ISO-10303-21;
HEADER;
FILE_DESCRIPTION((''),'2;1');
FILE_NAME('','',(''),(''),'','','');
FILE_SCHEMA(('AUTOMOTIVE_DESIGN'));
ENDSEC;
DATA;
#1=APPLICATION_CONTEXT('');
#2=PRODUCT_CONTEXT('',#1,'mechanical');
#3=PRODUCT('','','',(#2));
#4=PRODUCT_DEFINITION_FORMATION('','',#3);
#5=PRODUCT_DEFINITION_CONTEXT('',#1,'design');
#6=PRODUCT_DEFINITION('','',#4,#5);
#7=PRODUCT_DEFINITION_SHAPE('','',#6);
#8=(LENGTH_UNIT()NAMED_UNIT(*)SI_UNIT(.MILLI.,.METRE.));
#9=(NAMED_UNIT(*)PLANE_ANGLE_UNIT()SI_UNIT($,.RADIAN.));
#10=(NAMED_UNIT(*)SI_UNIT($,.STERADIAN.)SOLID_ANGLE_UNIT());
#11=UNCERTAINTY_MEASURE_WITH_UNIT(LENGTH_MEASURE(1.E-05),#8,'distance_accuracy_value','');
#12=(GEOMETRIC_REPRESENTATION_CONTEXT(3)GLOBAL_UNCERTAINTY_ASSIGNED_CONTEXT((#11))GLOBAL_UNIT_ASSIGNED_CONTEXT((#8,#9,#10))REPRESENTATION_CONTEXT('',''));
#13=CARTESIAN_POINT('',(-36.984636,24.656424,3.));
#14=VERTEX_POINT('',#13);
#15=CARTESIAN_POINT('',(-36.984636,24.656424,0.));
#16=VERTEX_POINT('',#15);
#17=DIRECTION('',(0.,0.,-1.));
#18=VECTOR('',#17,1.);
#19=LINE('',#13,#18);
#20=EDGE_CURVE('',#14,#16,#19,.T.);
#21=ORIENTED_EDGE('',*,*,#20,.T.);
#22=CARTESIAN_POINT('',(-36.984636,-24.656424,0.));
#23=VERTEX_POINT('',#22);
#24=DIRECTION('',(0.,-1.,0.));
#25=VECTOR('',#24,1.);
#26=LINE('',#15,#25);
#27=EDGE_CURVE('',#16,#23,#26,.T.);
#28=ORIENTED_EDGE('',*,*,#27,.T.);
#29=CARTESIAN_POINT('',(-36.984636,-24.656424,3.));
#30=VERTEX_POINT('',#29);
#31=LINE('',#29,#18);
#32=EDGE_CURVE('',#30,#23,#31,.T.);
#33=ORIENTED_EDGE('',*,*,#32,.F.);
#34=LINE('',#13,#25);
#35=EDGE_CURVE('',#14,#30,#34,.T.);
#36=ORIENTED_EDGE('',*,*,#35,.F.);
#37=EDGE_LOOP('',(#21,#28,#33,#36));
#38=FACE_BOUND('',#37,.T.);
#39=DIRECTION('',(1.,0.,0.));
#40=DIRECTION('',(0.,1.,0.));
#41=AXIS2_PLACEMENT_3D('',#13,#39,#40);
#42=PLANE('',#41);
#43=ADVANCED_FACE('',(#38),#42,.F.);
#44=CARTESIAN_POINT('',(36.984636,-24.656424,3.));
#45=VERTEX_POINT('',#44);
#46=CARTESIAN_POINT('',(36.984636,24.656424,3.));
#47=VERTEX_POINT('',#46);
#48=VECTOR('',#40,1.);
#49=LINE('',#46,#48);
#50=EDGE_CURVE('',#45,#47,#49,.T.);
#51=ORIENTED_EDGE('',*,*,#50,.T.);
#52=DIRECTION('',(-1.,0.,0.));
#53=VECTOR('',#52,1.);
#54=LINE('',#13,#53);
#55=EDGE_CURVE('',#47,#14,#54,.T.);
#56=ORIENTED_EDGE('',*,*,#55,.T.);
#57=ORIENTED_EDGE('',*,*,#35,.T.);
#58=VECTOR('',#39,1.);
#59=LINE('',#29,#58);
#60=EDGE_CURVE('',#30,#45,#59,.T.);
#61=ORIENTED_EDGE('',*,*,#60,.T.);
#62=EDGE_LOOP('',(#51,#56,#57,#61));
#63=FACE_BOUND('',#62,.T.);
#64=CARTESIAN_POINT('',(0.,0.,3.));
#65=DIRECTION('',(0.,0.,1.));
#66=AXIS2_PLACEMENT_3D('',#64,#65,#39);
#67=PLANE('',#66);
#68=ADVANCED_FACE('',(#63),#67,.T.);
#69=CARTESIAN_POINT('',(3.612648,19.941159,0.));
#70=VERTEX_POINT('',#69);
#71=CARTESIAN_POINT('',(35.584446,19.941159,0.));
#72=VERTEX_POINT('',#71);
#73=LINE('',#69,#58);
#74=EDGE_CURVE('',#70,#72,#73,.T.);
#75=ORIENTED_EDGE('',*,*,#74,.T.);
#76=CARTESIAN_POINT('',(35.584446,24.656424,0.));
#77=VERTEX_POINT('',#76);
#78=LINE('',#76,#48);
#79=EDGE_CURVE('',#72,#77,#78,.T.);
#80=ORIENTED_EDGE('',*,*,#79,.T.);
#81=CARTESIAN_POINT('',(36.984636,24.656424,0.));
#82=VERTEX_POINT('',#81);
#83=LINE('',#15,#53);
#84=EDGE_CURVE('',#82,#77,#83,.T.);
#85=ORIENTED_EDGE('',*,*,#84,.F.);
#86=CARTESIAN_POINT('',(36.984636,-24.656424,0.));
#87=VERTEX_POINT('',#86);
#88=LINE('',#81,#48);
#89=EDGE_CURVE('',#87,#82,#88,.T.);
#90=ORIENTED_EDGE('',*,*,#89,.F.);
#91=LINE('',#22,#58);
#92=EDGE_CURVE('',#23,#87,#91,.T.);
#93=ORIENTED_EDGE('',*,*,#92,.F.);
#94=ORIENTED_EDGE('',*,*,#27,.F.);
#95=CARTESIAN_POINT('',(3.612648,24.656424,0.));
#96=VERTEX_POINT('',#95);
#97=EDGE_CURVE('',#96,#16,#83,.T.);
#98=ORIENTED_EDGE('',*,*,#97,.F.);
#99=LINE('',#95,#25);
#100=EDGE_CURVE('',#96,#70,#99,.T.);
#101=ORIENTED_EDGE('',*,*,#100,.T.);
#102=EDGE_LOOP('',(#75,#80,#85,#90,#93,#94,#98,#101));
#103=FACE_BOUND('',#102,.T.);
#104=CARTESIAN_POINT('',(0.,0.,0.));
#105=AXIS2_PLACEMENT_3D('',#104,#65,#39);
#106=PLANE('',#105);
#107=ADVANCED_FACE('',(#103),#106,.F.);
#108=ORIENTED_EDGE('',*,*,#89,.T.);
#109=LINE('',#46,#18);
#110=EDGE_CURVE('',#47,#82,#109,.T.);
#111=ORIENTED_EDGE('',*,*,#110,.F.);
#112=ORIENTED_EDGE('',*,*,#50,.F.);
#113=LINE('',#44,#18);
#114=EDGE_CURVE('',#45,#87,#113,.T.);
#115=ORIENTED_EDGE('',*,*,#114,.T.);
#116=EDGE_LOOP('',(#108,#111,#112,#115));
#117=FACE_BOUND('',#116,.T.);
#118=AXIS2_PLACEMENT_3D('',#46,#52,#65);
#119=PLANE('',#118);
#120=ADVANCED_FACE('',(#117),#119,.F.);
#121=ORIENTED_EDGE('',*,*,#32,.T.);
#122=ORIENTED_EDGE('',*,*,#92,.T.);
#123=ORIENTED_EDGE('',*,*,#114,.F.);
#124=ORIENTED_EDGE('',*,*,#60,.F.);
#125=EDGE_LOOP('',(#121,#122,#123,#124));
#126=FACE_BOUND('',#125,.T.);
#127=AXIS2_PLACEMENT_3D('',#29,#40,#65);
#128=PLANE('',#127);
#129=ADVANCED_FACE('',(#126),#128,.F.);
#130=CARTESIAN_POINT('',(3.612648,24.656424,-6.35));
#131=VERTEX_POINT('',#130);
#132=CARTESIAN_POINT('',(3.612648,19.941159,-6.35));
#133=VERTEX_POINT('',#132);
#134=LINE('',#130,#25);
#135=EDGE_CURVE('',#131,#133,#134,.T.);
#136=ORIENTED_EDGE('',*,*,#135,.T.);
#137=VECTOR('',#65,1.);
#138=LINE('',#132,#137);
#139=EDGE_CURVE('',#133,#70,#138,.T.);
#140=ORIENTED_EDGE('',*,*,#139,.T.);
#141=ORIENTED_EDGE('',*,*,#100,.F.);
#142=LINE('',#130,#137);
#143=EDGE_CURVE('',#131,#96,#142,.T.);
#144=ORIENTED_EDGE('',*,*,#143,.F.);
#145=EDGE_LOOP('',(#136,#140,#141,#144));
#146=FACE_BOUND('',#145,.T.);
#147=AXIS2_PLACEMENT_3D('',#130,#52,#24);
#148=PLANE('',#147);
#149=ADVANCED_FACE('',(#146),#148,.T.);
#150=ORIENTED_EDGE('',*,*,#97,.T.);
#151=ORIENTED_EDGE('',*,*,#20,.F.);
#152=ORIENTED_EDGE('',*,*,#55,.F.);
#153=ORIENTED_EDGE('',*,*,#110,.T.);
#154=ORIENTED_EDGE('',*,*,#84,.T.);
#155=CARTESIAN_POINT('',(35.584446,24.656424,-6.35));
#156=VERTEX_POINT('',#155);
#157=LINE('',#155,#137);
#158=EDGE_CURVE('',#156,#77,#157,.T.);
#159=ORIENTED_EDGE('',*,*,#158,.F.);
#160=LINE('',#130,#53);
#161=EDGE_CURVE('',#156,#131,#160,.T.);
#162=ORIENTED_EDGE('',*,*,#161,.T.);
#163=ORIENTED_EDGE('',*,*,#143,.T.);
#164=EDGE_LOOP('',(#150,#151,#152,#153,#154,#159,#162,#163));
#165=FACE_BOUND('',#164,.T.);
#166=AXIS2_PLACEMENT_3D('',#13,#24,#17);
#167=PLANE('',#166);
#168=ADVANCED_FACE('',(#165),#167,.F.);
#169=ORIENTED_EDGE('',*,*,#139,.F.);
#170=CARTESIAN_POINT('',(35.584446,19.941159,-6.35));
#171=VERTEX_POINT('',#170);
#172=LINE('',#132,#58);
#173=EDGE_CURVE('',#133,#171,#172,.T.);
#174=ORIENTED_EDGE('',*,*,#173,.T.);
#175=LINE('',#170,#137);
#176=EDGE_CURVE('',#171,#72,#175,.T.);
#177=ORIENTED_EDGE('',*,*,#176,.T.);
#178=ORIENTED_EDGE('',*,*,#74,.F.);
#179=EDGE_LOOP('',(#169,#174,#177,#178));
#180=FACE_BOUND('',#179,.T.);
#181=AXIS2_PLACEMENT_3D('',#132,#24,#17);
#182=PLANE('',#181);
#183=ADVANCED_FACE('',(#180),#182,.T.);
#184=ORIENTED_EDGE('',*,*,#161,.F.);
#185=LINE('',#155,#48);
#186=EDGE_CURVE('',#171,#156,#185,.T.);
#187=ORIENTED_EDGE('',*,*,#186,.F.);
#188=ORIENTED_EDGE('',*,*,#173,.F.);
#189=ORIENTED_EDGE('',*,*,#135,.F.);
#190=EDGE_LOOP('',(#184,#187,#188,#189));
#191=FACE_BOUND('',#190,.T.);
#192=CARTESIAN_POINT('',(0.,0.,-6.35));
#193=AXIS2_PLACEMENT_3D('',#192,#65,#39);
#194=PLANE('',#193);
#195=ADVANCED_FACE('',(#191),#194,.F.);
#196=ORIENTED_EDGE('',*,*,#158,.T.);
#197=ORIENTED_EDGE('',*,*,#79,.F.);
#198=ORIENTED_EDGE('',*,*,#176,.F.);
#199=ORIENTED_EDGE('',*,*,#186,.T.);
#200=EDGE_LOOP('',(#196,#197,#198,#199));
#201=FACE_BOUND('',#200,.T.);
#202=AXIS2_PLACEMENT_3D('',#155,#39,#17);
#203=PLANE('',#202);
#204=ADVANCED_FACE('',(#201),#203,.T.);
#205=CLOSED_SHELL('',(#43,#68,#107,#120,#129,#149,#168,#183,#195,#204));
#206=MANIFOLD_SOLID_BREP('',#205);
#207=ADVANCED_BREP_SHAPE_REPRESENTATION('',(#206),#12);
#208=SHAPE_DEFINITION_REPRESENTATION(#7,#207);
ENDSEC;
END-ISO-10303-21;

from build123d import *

# Parameters (mm, degrees)
SKETCH1_W           = 73.969271166
SKETCH1_H           = 49.312847444
BOSS_EXTRUDE1_DEPTH = 3.000000096
SKETCH2_W           = 31.971798189
SKETCH2_H           = 4.7152652
BOSS_EXTRUDE2_DEPTH = 6.35


with BuildPart() as part:
    # Sketch1 → Boss-Extrude1 (new body)
    with BuildSketch(Plane.XY):
        Rectangle(SKETCH1_W, SKETCH1_H)
    extrude(amount=BOSS_EXTRUDE1_DEPTH)

    # Sketch2 → Boss-Extrude2 (add)
    with BuildSketch(Plane.XY):
        with Locations((19.598546823, 22.298791122)):
            Rectangle(SKETCH2_W, SKETCH2_H)
    extrude(amount=-BOSS_EXTRUDE2_DEPTH)


solid = part.part
